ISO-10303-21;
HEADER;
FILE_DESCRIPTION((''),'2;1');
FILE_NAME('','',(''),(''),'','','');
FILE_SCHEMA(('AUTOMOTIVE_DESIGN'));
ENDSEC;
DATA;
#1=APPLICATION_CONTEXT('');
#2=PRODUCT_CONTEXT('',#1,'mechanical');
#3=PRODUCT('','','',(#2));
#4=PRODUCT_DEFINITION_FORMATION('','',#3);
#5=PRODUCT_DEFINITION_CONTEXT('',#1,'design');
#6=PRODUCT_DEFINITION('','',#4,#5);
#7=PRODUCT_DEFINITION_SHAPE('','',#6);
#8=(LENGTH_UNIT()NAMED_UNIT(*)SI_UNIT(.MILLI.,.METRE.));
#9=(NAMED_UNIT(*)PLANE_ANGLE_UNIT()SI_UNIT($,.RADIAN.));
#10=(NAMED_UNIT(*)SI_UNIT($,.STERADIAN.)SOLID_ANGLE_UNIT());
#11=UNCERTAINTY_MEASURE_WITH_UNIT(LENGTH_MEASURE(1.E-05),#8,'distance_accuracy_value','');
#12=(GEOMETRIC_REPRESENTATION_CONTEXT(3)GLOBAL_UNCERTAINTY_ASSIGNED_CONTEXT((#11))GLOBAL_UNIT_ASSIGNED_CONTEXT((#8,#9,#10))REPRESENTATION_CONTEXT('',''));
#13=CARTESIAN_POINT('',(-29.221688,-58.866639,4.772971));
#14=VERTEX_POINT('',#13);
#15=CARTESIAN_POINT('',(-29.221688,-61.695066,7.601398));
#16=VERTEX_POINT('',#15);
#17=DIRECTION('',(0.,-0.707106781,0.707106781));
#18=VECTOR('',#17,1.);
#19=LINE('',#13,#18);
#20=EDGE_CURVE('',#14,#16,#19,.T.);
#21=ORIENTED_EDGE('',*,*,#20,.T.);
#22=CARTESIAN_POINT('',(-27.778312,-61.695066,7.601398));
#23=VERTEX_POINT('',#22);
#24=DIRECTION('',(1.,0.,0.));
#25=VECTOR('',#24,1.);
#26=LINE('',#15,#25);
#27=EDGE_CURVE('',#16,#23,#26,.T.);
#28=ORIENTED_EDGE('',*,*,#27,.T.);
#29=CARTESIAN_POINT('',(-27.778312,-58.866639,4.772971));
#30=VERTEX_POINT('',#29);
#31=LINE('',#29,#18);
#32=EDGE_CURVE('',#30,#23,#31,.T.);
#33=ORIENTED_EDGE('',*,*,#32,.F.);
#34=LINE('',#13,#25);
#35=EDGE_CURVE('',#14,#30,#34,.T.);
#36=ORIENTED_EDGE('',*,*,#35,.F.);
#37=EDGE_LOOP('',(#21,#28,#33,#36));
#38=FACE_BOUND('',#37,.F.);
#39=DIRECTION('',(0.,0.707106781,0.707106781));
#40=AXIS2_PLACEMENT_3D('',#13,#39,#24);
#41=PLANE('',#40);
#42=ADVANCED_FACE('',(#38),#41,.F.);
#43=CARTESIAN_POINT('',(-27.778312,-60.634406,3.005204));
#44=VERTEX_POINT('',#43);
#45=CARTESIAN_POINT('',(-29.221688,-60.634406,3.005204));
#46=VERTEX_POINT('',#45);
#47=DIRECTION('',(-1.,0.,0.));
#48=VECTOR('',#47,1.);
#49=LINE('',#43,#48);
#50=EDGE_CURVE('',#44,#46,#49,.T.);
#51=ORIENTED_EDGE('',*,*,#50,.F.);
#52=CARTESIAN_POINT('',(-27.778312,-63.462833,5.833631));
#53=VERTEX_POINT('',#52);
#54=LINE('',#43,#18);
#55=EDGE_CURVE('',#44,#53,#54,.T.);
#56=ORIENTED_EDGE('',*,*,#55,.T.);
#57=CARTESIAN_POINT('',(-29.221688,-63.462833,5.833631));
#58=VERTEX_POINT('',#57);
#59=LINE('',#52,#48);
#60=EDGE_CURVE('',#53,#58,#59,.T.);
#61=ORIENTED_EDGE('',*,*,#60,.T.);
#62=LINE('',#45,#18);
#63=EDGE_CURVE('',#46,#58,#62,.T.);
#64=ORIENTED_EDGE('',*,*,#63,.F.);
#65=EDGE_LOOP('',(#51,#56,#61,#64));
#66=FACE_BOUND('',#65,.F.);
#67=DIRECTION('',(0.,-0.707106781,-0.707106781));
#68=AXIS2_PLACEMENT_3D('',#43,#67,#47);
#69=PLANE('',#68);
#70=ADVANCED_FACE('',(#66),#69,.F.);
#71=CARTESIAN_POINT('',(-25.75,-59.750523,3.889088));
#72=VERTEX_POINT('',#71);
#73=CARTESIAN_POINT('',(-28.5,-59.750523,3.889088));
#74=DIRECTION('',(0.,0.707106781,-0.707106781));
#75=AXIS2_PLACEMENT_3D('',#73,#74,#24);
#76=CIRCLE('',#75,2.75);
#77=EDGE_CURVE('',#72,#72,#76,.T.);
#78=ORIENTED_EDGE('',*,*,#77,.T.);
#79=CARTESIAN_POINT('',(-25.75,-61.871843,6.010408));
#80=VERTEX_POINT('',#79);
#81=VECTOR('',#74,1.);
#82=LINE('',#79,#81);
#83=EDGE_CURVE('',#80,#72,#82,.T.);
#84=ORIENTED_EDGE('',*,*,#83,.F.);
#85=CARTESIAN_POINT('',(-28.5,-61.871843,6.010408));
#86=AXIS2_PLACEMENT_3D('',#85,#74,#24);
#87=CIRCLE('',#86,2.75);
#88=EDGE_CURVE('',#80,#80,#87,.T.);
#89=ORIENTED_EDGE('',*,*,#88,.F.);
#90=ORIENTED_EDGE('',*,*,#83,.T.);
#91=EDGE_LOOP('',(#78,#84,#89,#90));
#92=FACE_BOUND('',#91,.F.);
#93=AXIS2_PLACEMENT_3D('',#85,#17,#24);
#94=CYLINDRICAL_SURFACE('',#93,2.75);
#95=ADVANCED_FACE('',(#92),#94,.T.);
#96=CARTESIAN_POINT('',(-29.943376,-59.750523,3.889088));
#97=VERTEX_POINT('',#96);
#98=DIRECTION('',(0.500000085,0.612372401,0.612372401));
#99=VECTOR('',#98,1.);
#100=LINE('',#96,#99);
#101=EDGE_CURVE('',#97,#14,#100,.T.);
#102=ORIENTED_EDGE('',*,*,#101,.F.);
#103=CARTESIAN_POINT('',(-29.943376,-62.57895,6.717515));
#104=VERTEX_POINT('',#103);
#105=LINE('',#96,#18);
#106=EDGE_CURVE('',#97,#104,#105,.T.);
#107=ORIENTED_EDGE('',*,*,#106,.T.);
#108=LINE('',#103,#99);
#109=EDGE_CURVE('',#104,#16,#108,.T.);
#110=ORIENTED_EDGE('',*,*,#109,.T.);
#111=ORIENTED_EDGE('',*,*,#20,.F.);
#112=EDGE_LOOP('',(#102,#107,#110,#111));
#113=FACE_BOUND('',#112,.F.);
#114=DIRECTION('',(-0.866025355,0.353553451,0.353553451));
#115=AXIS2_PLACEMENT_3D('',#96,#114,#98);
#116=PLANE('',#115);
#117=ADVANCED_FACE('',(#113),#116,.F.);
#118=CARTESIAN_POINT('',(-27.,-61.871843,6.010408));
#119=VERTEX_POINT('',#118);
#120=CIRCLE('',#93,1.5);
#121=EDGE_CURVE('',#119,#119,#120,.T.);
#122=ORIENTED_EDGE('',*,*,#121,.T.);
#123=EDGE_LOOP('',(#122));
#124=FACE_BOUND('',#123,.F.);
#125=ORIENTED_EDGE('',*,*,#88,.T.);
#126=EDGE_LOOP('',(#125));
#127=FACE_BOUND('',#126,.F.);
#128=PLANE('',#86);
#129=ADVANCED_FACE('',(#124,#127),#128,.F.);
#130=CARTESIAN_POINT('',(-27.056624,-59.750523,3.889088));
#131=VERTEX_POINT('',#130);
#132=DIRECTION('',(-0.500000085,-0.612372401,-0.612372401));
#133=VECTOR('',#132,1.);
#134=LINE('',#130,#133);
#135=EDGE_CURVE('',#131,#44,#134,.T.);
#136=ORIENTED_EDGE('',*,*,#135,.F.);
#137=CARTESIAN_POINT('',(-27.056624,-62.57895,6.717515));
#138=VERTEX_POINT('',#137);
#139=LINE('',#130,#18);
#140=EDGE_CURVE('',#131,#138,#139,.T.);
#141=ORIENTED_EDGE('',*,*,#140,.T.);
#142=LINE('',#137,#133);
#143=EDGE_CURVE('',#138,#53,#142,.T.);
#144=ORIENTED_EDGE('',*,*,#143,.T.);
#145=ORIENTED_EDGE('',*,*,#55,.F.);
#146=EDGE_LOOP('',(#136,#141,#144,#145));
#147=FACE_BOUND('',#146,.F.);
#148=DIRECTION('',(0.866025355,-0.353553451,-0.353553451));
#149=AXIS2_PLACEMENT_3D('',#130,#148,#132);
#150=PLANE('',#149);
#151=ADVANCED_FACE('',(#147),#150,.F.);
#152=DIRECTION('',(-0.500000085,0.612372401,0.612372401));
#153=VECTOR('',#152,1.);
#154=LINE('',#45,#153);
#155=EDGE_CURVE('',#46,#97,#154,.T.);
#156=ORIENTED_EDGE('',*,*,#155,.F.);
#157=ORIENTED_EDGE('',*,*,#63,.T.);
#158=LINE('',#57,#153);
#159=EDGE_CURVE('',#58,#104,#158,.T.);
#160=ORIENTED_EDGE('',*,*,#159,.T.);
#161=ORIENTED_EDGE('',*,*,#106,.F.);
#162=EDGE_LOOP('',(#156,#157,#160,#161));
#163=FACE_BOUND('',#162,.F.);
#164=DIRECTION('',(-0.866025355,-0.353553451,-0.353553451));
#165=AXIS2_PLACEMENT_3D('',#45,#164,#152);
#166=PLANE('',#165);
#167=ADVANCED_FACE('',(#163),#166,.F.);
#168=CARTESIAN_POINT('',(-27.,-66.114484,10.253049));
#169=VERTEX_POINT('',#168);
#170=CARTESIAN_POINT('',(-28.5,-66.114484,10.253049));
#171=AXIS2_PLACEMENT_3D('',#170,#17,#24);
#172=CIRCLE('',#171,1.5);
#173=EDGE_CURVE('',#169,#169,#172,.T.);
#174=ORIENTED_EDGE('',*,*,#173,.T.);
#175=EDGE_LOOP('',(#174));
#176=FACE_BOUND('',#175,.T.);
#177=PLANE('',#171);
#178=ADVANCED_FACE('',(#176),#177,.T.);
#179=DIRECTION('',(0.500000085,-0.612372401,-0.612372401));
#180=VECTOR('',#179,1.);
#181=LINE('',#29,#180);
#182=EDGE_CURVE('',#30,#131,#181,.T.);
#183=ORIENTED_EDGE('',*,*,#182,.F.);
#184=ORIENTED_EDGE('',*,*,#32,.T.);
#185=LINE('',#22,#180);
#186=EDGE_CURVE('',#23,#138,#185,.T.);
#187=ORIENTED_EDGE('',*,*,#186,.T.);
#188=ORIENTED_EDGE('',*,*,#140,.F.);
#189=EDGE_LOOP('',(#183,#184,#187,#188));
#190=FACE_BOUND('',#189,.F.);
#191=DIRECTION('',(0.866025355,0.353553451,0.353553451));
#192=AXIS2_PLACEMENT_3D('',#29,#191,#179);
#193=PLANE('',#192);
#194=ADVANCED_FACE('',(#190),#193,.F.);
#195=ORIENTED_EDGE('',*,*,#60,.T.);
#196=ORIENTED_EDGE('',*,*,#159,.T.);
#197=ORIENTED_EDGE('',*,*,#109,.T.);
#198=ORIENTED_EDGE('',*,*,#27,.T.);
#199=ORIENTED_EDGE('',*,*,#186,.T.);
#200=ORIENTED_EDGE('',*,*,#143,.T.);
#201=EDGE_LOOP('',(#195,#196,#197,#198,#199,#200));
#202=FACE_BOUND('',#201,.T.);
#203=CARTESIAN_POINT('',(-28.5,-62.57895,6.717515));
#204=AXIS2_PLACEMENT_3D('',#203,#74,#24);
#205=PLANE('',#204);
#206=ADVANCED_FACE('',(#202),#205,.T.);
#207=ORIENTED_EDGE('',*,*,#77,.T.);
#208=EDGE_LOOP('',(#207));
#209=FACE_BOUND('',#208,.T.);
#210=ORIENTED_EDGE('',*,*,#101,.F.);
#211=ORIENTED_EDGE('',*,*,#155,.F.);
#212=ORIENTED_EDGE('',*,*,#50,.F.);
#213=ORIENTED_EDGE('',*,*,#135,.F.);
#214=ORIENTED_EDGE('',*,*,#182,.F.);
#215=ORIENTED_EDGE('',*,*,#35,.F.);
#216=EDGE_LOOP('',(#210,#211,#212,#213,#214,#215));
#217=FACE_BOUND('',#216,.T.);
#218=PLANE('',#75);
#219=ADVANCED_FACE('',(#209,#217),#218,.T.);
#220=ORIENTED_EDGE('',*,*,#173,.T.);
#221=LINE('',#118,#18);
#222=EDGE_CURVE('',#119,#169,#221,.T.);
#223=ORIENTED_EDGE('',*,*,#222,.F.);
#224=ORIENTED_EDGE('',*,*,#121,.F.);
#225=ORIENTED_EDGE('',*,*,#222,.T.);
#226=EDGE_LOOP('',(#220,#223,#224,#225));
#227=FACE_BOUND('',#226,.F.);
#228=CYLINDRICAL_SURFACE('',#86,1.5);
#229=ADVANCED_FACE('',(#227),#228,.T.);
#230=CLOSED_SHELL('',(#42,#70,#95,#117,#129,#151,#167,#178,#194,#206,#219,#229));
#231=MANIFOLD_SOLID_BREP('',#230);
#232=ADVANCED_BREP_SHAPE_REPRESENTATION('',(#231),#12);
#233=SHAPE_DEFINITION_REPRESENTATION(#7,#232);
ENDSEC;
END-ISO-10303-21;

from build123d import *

# Parameters (mm, degrees)
SKETCH036_R             = 2.75
PAD021_DEPTH            = 3
SKETCH037_R             = 1.5
PAD022_DEPTH            = 6
POCKET017_DEPTH         = 4
BODY010_PLACEMENT_ANGLE = 225


with BuildPart() as part:
    # Sketch036 → Pad021 (new body)
    with BuildSketch(Plane.XY):
        Circle(SKETCH036_R)
    extrude(amount=PAD021_DEPTH)

    # Sketch037 (on Face2 of Pad021) → Pad022 (join)
    with BuildSketch(Plane(origin=(0, 0, 0), x_dir=(1, 0, 0), z_dir=(0, 0, -1))):
        Circle(SKETCH037_R)
    extrude(amount=PAD022_DEPTH)

    # Sketch038 (on DatumPlane) → Pocket017 (cut)
    with BuildSketch(Plane.XY.offset(3)):
        Polygon((0.721688, -1.25), (1.443376, 0), (0.721688, 1.25), (-0.721688, 1.25), (-1.443376, 0), (-0.721688, -1.25), align=None)
    extrude(amount=-POCKET017_DEPTH, mode=Mode.SUBTRACT)


with BuildPart() as part_1:
    # Body010 placement: moved
    add(part.part.moved(Location((-28.5, -61.871843, 6.010408))).rotate(Axis((-28.5, -61.871843, 6.010408), (1, 0, 0)), BODY010_PLACEMENT_ANGLE))


solid = part_1.part
